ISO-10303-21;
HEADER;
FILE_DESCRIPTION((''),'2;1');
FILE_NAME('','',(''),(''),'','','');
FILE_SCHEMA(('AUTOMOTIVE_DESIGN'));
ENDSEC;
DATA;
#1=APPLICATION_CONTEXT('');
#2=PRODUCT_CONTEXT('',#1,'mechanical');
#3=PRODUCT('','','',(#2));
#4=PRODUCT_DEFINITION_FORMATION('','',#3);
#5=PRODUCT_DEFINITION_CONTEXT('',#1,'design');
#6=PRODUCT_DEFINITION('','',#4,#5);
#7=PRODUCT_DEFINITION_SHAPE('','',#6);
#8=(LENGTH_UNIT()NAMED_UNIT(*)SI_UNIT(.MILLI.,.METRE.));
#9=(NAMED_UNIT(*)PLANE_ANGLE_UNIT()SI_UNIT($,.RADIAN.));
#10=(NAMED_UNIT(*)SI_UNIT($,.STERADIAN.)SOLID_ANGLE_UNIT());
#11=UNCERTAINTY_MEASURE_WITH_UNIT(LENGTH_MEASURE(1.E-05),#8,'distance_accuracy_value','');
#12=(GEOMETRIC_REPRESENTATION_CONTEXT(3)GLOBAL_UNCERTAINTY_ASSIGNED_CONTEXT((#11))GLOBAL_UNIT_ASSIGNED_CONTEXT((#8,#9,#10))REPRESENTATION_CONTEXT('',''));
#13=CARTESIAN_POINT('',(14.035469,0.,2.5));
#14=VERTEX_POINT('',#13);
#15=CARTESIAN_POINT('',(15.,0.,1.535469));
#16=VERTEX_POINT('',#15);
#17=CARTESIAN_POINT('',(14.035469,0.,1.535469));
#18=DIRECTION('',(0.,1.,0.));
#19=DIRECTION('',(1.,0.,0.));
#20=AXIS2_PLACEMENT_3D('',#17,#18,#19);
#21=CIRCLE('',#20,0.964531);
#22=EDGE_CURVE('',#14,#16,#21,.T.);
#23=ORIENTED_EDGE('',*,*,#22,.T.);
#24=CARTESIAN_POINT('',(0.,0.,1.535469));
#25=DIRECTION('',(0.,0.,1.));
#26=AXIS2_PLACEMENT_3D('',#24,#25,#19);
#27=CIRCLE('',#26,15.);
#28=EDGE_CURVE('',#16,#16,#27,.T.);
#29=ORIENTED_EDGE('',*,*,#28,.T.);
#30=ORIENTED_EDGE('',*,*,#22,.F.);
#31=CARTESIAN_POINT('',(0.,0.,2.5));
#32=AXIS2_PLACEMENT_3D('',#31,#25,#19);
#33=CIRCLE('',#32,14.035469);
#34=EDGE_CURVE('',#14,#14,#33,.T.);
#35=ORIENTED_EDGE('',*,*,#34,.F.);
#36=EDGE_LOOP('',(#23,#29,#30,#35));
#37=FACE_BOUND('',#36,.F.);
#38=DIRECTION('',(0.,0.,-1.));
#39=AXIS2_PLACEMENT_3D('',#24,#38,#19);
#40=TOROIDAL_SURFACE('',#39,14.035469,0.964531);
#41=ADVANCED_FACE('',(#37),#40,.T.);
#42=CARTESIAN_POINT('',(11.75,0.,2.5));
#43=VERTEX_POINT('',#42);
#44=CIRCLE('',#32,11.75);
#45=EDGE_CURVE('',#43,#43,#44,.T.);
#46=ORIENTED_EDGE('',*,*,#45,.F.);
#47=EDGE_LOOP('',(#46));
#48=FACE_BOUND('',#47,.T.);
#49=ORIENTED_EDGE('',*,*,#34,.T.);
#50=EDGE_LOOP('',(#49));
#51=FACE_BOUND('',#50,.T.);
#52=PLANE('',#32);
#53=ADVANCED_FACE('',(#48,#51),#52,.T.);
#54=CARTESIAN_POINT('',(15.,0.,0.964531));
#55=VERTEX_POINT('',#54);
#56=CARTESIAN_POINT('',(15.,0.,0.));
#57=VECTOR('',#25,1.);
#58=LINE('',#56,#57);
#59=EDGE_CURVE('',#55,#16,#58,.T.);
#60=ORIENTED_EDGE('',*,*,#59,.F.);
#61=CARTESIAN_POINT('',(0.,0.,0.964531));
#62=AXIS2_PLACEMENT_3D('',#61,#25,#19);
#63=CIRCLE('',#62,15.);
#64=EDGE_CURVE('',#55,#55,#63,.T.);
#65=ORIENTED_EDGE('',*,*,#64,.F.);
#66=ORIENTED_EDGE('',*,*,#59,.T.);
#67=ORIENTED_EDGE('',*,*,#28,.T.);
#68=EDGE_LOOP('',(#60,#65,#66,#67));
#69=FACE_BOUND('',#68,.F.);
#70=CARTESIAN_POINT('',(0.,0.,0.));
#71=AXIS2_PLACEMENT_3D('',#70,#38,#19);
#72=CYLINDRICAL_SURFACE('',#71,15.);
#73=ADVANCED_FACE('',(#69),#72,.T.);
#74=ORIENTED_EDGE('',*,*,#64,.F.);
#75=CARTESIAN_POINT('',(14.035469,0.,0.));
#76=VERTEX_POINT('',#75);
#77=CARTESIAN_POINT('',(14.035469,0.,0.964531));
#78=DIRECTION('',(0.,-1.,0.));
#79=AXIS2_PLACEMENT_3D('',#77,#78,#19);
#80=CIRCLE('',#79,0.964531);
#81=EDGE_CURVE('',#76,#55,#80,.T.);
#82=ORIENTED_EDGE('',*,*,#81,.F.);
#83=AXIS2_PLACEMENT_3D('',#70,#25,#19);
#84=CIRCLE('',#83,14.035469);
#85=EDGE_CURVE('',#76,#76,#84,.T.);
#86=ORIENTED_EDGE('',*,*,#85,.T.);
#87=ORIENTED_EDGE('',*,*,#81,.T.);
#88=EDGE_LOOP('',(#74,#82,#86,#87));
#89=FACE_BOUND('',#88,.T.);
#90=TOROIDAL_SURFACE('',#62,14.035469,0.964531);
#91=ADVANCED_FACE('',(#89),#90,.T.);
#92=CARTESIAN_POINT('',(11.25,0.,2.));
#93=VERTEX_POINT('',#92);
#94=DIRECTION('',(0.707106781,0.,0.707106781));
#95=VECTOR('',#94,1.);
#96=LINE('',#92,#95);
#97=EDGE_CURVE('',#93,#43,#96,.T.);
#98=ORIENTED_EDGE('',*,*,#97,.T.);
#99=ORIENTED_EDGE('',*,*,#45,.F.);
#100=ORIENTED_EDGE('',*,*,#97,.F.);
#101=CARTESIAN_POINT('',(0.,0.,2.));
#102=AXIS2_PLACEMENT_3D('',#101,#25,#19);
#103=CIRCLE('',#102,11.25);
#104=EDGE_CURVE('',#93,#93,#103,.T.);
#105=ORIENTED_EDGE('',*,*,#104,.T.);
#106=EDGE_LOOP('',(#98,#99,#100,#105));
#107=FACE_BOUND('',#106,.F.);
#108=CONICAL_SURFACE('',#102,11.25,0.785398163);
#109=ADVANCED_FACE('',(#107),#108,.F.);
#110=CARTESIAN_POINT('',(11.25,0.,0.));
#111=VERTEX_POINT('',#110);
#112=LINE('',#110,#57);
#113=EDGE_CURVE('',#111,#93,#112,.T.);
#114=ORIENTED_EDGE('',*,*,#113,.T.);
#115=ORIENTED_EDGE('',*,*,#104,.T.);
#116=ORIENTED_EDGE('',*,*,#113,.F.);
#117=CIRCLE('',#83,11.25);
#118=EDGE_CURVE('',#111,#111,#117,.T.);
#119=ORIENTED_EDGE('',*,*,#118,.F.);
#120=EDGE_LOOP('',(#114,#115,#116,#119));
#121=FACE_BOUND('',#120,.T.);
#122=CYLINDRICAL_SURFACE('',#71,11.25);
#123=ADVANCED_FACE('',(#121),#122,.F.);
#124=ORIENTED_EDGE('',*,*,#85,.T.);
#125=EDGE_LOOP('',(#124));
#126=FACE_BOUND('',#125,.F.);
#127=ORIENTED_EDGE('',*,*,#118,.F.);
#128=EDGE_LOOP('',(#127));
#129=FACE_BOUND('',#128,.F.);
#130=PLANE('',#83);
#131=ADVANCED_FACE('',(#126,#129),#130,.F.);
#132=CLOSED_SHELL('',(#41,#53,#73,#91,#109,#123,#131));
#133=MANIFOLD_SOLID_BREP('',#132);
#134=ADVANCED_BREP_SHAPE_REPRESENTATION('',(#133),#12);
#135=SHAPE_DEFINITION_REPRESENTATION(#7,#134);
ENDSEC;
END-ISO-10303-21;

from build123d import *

# Parameters (mm, degrees)
F0_R     = 15
F0_R_2   = 11.25
F1_DEPTH = 2.5
F2_SIZE  = 0.5
F3_R     = 0.964531


with BuildPart() as f1:
    # F0 (on Top) → F1 (new body)
    with BuildSketch(Plane.XY):
        Circle(F0_R)
        Circle(F0_R_2, mode=Mode.SUBTRACT)
    extrude(amount=F1_DEPTH)

    # F2
    f2_edges = [f1.edges().sort_by_distance(p)[0] for p in [
        (-11.25, 0, 2.5),
    ]]
    chamfer(f2_edges, length=F2_SIZE)

    # F3
    f3_edges = [f1.edges().sort_by_distance(p)[0] for p in [
        (-15, 0, 2.5),
        (-15, 0, 0),
    ]]
    fillet(f3_edges, radius=F3_R)


solid = f1.part
